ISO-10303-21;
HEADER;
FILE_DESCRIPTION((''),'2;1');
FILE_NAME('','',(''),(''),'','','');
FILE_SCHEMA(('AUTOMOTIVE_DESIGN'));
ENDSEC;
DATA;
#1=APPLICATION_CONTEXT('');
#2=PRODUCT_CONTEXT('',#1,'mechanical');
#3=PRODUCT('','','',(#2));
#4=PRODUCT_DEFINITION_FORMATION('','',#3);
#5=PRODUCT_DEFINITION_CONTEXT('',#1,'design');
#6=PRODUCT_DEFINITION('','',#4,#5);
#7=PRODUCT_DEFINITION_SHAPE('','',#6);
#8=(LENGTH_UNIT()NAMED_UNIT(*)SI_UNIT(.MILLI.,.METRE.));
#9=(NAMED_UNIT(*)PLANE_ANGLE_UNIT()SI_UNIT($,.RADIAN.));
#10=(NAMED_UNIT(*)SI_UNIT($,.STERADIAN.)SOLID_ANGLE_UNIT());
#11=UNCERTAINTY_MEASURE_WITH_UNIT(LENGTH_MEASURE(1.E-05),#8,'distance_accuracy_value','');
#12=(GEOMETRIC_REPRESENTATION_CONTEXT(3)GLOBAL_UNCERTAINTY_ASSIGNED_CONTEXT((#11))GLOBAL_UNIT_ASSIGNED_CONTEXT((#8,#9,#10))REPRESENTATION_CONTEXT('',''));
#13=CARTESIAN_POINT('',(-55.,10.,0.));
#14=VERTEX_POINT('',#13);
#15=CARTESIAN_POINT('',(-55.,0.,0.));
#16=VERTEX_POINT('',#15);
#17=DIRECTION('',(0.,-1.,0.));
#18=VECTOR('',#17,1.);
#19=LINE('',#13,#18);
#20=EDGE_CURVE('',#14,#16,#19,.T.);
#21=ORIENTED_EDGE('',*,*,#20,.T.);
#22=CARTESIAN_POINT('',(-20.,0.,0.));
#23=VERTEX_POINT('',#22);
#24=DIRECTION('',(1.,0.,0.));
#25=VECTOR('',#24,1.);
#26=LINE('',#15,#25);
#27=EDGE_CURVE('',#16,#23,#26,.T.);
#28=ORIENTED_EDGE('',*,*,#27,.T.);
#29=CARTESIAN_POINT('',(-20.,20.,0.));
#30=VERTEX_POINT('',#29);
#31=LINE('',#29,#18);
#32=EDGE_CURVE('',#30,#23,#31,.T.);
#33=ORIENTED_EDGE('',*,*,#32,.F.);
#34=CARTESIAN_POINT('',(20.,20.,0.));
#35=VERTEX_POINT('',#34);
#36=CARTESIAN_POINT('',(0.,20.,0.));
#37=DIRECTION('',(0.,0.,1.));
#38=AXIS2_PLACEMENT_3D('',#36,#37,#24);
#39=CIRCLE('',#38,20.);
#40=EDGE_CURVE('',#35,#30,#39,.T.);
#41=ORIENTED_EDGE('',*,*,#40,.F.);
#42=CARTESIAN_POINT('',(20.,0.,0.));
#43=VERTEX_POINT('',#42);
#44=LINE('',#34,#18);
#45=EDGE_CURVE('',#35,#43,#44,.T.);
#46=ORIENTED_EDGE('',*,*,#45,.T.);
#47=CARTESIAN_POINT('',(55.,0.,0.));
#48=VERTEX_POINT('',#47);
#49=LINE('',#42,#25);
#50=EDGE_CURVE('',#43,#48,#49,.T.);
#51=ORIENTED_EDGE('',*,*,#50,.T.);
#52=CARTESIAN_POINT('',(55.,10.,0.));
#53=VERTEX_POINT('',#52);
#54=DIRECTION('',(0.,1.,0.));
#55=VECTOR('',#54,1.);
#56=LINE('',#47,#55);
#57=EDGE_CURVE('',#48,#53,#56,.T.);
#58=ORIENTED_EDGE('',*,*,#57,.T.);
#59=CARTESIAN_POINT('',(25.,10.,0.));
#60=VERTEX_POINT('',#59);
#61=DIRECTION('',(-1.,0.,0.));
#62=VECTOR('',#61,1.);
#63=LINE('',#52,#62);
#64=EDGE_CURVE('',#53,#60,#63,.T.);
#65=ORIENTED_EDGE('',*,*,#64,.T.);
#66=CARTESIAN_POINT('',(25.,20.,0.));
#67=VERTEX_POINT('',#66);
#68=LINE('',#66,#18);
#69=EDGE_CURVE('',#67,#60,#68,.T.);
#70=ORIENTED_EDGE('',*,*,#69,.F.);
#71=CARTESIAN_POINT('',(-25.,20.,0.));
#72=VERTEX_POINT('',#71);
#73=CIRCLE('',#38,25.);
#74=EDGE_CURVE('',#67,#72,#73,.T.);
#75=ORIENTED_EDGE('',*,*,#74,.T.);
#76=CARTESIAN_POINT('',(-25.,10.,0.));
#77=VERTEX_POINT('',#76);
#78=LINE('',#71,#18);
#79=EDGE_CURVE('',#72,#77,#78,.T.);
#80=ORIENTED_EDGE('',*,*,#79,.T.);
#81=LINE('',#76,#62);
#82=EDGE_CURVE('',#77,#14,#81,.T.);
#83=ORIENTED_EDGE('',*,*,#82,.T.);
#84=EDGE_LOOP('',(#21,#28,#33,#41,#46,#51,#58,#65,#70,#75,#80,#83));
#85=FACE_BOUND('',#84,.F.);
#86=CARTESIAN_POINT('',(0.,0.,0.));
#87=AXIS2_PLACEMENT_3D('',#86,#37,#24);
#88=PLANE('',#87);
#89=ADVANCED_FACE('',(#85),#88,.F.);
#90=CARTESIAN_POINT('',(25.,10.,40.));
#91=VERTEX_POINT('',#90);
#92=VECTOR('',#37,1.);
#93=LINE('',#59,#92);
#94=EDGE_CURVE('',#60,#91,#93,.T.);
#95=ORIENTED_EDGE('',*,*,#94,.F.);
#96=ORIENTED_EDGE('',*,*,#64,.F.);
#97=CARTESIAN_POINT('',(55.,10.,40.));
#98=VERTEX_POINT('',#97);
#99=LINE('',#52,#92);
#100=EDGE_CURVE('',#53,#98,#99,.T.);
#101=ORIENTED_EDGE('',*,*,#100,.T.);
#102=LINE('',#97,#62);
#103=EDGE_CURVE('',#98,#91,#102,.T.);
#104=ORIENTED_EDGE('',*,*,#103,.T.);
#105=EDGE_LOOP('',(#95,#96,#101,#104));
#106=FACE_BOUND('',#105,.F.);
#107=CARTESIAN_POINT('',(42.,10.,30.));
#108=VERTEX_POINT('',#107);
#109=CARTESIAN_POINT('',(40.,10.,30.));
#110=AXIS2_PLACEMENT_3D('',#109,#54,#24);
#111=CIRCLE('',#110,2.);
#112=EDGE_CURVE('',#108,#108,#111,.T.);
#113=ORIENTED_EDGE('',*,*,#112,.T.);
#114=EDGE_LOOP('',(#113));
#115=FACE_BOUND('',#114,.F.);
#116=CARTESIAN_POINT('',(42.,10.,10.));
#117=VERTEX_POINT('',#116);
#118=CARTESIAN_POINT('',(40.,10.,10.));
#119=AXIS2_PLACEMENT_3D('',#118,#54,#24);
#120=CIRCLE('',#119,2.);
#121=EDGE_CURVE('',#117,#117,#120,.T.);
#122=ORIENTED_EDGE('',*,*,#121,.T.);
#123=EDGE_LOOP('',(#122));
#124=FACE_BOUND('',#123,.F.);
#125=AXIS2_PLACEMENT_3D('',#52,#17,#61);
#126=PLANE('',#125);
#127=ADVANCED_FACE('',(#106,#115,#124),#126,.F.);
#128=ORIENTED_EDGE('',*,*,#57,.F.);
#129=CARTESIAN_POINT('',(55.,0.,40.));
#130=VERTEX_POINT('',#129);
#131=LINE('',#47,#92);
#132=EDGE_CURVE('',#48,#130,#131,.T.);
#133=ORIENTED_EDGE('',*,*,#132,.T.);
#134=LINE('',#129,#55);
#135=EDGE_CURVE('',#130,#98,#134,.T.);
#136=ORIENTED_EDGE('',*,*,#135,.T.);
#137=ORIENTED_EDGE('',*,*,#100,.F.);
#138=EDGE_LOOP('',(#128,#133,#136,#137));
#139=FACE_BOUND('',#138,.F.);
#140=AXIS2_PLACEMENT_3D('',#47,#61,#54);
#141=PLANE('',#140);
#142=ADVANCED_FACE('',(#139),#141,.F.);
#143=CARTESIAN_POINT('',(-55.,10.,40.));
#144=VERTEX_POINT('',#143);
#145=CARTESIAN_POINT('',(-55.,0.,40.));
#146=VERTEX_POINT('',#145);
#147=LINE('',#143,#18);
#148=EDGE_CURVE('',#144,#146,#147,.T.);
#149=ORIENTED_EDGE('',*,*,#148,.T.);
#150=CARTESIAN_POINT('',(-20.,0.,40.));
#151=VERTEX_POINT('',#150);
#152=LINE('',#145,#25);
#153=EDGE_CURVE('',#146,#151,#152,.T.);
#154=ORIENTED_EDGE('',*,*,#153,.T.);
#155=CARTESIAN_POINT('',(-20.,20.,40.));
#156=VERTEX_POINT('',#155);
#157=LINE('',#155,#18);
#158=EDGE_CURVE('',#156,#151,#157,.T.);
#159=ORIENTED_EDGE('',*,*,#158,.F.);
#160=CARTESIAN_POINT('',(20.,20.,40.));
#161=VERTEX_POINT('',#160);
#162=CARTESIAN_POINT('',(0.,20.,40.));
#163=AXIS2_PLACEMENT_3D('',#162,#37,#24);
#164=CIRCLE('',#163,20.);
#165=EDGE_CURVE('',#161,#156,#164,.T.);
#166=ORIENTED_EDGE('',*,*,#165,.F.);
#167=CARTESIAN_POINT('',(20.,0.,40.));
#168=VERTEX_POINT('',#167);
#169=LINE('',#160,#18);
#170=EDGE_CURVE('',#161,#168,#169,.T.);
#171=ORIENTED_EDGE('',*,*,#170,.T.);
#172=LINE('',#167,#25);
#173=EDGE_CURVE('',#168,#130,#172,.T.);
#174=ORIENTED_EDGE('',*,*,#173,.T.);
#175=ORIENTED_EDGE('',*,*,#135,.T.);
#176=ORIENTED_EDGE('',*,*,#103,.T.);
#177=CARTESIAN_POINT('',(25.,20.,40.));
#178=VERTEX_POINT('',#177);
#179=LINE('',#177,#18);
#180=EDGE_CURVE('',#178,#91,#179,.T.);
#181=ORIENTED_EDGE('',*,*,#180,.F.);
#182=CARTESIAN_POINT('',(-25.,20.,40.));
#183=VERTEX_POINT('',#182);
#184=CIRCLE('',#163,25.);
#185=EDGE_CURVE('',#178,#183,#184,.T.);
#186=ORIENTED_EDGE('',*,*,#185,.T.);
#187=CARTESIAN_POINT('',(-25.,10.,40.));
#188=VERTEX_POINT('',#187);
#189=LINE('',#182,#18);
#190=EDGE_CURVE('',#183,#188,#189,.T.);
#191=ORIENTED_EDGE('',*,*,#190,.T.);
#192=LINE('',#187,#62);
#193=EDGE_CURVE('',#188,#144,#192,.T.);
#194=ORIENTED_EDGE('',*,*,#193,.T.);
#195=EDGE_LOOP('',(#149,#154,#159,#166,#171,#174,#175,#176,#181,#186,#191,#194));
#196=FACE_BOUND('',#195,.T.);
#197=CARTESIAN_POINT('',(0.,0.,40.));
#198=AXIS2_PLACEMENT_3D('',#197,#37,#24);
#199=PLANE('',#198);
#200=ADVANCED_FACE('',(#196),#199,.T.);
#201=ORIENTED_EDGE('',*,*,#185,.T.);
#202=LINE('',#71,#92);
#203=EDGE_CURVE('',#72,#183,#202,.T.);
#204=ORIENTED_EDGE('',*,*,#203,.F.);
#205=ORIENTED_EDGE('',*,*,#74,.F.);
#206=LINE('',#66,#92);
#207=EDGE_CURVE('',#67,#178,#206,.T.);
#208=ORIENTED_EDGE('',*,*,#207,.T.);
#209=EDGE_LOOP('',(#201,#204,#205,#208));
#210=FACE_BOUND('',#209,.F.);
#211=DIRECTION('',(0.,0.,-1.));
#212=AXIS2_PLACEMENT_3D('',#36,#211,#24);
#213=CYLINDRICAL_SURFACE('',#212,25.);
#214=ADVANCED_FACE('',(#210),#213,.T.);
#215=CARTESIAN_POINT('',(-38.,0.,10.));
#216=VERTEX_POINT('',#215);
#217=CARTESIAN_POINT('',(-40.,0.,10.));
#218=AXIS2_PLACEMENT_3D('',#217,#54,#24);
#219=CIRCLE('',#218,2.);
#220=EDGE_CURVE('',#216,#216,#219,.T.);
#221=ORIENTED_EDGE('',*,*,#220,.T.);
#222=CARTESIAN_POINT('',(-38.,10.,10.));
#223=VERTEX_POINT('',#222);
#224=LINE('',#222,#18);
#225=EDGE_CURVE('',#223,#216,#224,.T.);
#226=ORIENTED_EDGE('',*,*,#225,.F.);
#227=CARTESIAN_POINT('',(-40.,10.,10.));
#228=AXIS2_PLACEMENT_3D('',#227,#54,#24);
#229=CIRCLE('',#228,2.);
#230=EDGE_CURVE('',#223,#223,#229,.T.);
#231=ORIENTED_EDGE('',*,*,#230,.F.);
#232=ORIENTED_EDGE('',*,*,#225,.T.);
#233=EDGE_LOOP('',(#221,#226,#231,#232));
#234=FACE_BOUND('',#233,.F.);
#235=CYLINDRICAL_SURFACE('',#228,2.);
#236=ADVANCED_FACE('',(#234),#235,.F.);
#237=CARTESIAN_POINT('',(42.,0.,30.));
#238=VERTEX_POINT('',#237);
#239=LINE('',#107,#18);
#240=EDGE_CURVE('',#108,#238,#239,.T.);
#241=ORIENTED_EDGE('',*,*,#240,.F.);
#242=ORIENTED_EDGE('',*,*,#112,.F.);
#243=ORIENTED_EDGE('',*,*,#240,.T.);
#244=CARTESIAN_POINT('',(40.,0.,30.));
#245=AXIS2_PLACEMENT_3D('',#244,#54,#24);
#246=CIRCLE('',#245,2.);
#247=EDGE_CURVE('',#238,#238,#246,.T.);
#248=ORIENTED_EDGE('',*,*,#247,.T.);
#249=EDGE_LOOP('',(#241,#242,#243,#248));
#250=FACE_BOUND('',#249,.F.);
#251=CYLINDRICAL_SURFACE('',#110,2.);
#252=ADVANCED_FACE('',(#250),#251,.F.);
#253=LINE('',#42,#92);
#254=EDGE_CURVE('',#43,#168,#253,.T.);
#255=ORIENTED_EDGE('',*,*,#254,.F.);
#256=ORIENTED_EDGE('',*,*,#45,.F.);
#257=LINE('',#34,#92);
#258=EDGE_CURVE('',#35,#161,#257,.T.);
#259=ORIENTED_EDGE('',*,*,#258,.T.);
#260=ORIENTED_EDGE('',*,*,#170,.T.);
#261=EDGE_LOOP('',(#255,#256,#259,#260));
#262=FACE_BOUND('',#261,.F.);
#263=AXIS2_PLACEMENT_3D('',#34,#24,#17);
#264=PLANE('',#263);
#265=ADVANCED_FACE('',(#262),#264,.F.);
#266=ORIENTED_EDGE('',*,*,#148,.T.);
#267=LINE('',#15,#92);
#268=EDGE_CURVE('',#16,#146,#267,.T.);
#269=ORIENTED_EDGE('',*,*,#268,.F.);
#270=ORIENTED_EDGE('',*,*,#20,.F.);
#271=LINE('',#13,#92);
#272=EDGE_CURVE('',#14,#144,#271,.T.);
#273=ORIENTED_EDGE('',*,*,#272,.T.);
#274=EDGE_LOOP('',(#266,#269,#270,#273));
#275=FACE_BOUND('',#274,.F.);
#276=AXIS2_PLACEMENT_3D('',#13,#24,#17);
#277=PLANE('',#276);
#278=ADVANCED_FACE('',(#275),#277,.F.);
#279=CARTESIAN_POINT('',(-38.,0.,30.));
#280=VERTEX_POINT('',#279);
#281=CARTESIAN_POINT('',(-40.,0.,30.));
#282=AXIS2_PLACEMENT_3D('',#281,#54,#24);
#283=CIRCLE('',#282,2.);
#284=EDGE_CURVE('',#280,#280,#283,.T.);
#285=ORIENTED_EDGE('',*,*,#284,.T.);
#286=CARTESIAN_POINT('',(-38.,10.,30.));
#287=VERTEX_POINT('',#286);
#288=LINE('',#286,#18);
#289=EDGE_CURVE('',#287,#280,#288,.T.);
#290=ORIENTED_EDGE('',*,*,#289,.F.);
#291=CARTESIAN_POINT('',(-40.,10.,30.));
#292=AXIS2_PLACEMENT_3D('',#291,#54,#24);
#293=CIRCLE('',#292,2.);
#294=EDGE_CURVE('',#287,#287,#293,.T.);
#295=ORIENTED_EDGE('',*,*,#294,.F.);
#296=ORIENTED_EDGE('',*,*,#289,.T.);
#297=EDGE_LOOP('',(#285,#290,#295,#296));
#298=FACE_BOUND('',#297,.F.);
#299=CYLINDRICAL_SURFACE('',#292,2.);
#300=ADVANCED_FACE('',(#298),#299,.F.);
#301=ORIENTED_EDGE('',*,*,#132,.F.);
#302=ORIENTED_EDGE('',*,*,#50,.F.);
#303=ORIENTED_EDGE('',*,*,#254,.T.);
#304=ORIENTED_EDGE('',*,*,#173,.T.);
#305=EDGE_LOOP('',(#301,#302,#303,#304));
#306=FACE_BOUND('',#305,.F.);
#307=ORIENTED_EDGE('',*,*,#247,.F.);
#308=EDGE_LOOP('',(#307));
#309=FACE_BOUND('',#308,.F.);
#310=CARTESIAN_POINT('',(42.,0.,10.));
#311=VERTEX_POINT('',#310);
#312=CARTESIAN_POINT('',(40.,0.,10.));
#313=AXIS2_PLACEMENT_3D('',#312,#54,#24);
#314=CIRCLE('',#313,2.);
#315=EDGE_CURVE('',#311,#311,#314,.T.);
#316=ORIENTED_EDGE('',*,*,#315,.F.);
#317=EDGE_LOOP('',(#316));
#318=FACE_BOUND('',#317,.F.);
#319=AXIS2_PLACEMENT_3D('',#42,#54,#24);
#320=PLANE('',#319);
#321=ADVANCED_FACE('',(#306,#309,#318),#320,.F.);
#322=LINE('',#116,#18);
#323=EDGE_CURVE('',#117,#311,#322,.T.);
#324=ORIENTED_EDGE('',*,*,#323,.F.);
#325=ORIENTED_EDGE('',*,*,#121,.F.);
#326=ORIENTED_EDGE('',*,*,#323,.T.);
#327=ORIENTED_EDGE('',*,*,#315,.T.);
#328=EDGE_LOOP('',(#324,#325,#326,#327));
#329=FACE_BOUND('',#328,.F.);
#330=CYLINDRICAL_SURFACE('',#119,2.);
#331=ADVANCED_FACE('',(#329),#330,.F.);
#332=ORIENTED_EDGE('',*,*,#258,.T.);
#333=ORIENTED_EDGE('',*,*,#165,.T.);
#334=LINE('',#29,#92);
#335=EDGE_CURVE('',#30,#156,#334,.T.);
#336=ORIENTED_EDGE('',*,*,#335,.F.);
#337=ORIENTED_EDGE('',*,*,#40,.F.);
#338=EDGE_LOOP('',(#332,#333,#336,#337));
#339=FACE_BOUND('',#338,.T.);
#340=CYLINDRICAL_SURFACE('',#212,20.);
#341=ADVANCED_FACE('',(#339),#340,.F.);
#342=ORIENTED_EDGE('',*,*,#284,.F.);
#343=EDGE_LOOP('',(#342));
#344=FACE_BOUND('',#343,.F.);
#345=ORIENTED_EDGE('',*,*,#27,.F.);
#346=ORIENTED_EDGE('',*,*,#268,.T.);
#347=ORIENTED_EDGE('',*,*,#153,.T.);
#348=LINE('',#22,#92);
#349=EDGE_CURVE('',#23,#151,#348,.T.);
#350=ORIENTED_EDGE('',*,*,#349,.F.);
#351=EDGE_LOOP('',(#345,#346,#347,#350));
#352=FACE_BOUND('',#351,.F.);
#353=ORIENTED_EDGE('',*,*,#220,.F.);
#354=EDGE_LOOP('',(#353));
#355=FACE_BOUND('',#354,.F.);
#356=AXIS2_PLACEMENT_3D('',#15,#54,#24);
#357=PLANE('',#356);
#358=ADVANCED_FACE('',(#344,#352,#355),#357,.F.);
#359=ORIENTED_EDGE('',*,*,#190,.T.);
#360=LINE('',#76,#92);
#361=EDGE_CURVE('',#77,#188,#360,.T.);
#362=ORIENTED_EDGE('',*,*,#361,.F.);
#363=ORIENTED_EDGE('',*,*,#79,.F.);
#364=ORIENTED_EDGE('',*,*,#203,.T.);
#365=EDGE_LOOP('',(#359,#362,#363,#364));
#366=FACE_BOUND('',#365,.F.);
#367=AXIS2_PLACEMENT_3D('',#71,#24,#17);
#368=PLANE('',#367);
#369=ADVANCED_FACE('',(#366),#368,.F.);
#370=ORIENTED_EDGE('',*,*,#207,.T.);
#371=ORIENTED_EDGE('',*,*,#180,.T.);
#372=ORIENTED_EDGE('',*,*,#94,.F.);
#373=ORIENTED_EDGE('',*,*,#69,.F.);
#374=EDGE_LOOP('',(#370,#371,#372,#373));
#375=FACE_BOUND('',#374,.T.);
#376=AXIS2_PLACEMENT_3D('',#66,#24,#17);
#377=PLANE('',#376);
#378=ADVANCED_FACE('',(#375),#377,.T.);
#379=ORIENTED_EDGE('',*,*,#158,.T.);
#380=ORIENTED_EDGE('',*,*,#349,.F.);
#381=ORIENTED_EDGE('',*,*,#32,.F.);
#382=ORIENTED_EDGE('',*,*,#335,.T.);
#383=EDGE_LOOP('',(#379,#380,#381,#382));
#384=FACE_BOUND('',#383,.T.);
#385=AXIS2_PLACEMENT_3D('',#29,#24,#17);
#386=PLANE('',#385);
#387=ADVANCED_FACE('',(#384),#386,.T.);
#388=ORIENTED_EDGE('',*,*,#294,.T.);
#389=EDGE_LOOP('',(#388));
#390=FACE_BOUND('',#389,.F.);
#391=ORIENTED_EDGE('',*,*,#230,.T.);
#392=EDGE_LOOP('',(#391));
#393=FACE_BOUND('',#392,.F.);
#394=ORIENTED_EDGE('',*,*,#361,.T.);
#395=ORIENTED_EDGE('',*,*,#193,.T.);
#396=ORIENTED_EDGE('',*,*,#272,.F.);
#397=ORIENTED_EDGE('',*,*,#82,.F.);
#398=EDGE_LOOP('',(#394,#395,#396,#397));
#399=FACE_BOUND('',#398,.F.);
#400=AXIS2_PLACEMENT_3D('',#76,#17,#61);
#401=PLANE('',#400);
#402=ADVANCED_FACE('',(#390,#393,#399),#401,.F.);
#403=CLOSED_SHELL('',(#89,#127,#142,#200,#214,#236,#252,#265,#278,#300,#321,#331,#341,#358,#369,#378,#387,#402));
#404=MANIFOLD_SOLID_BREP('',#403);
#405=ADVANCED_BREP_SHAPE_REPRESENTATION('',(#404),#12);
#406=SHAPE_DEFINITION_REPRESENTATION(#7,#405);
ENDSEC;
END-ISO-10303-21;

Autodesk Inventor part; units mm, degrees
ref_plane "YZ Plane" through (0, 0, 0) normal (1, 0, 0) x (0, 1, 0)
ref_plane "XZ Plane" through (0, 0, 0) normal (0, 1, 0) x (-1, 0, 0)
ref_plane "XY Plane" through (0, 0, 0) normal (0, 0, 1) x (1, 0, 0)
sketch "Sketch1" plane through (0, 0, 0) normal (0, 0, 1) x (1, 0, 0)
  arc A0 (20, 20) -> (-20, 20) centre (0, 20) ccw
  line L0 (55, 0) -> (55, 10)
  line L1 (-55, 10) -> (-55, 0)
  line L2 (55, 10) -> (25, 10)
  line L3 (-25, 10) -> (-55, 10)
  line L4 (20, 20) -> (20, 0)
  line L5 (-20, 20) -> (-20, 0)
  line L6 (25, 20) -> (25, 10)
  line L7 (-25, 20) -> (-25, 10)
  arc A1 (25, 20) -> (-25, 20) centre (0, 20) ccw
  line L8 (-55, 0) -> (-20, 0)
  line L9 (20, 0) -> (55, 0)
  point P0 (0, 0)
  dimension "d1" = 10
  dimension "d4" = 55
  dimension "d5" = 30
  dimension "d6" = 30
  dimension "d7" = 55
extrude "Extrusion1" add sketch "Sketch1" along normal blind 40
sketch "Sketch2" plane through (25, 10, 0) normal (0, 1, 0) x (1, 0, 0)
  point P0 (-25, 0)
sketch "Sketch3" plane through (25, 10, 0) normal (0, 1, 0) x (1, 0, 0)
  line L0 (30, 0) -> (0, 0) construction
  line L1 (15, 0) -> (15, -40) construction
  line L2 (30, -40) -> (0, -40) construction
  line L3 (30, 0) -> (30, -40) construction
  line L4 (30, -20) -> (-80, -20) construction
  line L5 (-80, 0) -> (-80, -40) construction
  line L6 (-50, 0) -> (-80, 0) construction
  line L7 (-65, 0) -> (-65, -40) construction
  line L8 (-50, -40) -> (-80, -40) construction
  line L9 (-80, -10) -> (30, -10) construction
  line L10 (-80, -30) -> (30, -30) construction
  circle A0 centre (15, -10) radius 2
  circle A1 centre (15, -30) radius 2
  circle A2 centre (-65, -10) radius 2
  circle A3 centre (-65, -30) radius 2
  point P0 (-25, 0)
  dimension "d8" = 4
  dimension "d9" = 4
  dimension "d10" = 4
  dimension "d11" = 4
extrude "Extrusion2" cut sketch "Sketch3" against normal blind 10
thread "Thread1" size "M4x0.7" class "6H" standard "ISO Metric profile" length 150
thread "Thread2" size "M4x0.7" class "6H" standard "ISO Metric profile" length 150
thread "Thread3" size "M4x0.7" class "6H" standard "ISO Metric profile" length 150
thread "Thread4" size "M4x0.7" class "6H" standard "ISO Metric profile" length 150
properties part number "U-bracket"
